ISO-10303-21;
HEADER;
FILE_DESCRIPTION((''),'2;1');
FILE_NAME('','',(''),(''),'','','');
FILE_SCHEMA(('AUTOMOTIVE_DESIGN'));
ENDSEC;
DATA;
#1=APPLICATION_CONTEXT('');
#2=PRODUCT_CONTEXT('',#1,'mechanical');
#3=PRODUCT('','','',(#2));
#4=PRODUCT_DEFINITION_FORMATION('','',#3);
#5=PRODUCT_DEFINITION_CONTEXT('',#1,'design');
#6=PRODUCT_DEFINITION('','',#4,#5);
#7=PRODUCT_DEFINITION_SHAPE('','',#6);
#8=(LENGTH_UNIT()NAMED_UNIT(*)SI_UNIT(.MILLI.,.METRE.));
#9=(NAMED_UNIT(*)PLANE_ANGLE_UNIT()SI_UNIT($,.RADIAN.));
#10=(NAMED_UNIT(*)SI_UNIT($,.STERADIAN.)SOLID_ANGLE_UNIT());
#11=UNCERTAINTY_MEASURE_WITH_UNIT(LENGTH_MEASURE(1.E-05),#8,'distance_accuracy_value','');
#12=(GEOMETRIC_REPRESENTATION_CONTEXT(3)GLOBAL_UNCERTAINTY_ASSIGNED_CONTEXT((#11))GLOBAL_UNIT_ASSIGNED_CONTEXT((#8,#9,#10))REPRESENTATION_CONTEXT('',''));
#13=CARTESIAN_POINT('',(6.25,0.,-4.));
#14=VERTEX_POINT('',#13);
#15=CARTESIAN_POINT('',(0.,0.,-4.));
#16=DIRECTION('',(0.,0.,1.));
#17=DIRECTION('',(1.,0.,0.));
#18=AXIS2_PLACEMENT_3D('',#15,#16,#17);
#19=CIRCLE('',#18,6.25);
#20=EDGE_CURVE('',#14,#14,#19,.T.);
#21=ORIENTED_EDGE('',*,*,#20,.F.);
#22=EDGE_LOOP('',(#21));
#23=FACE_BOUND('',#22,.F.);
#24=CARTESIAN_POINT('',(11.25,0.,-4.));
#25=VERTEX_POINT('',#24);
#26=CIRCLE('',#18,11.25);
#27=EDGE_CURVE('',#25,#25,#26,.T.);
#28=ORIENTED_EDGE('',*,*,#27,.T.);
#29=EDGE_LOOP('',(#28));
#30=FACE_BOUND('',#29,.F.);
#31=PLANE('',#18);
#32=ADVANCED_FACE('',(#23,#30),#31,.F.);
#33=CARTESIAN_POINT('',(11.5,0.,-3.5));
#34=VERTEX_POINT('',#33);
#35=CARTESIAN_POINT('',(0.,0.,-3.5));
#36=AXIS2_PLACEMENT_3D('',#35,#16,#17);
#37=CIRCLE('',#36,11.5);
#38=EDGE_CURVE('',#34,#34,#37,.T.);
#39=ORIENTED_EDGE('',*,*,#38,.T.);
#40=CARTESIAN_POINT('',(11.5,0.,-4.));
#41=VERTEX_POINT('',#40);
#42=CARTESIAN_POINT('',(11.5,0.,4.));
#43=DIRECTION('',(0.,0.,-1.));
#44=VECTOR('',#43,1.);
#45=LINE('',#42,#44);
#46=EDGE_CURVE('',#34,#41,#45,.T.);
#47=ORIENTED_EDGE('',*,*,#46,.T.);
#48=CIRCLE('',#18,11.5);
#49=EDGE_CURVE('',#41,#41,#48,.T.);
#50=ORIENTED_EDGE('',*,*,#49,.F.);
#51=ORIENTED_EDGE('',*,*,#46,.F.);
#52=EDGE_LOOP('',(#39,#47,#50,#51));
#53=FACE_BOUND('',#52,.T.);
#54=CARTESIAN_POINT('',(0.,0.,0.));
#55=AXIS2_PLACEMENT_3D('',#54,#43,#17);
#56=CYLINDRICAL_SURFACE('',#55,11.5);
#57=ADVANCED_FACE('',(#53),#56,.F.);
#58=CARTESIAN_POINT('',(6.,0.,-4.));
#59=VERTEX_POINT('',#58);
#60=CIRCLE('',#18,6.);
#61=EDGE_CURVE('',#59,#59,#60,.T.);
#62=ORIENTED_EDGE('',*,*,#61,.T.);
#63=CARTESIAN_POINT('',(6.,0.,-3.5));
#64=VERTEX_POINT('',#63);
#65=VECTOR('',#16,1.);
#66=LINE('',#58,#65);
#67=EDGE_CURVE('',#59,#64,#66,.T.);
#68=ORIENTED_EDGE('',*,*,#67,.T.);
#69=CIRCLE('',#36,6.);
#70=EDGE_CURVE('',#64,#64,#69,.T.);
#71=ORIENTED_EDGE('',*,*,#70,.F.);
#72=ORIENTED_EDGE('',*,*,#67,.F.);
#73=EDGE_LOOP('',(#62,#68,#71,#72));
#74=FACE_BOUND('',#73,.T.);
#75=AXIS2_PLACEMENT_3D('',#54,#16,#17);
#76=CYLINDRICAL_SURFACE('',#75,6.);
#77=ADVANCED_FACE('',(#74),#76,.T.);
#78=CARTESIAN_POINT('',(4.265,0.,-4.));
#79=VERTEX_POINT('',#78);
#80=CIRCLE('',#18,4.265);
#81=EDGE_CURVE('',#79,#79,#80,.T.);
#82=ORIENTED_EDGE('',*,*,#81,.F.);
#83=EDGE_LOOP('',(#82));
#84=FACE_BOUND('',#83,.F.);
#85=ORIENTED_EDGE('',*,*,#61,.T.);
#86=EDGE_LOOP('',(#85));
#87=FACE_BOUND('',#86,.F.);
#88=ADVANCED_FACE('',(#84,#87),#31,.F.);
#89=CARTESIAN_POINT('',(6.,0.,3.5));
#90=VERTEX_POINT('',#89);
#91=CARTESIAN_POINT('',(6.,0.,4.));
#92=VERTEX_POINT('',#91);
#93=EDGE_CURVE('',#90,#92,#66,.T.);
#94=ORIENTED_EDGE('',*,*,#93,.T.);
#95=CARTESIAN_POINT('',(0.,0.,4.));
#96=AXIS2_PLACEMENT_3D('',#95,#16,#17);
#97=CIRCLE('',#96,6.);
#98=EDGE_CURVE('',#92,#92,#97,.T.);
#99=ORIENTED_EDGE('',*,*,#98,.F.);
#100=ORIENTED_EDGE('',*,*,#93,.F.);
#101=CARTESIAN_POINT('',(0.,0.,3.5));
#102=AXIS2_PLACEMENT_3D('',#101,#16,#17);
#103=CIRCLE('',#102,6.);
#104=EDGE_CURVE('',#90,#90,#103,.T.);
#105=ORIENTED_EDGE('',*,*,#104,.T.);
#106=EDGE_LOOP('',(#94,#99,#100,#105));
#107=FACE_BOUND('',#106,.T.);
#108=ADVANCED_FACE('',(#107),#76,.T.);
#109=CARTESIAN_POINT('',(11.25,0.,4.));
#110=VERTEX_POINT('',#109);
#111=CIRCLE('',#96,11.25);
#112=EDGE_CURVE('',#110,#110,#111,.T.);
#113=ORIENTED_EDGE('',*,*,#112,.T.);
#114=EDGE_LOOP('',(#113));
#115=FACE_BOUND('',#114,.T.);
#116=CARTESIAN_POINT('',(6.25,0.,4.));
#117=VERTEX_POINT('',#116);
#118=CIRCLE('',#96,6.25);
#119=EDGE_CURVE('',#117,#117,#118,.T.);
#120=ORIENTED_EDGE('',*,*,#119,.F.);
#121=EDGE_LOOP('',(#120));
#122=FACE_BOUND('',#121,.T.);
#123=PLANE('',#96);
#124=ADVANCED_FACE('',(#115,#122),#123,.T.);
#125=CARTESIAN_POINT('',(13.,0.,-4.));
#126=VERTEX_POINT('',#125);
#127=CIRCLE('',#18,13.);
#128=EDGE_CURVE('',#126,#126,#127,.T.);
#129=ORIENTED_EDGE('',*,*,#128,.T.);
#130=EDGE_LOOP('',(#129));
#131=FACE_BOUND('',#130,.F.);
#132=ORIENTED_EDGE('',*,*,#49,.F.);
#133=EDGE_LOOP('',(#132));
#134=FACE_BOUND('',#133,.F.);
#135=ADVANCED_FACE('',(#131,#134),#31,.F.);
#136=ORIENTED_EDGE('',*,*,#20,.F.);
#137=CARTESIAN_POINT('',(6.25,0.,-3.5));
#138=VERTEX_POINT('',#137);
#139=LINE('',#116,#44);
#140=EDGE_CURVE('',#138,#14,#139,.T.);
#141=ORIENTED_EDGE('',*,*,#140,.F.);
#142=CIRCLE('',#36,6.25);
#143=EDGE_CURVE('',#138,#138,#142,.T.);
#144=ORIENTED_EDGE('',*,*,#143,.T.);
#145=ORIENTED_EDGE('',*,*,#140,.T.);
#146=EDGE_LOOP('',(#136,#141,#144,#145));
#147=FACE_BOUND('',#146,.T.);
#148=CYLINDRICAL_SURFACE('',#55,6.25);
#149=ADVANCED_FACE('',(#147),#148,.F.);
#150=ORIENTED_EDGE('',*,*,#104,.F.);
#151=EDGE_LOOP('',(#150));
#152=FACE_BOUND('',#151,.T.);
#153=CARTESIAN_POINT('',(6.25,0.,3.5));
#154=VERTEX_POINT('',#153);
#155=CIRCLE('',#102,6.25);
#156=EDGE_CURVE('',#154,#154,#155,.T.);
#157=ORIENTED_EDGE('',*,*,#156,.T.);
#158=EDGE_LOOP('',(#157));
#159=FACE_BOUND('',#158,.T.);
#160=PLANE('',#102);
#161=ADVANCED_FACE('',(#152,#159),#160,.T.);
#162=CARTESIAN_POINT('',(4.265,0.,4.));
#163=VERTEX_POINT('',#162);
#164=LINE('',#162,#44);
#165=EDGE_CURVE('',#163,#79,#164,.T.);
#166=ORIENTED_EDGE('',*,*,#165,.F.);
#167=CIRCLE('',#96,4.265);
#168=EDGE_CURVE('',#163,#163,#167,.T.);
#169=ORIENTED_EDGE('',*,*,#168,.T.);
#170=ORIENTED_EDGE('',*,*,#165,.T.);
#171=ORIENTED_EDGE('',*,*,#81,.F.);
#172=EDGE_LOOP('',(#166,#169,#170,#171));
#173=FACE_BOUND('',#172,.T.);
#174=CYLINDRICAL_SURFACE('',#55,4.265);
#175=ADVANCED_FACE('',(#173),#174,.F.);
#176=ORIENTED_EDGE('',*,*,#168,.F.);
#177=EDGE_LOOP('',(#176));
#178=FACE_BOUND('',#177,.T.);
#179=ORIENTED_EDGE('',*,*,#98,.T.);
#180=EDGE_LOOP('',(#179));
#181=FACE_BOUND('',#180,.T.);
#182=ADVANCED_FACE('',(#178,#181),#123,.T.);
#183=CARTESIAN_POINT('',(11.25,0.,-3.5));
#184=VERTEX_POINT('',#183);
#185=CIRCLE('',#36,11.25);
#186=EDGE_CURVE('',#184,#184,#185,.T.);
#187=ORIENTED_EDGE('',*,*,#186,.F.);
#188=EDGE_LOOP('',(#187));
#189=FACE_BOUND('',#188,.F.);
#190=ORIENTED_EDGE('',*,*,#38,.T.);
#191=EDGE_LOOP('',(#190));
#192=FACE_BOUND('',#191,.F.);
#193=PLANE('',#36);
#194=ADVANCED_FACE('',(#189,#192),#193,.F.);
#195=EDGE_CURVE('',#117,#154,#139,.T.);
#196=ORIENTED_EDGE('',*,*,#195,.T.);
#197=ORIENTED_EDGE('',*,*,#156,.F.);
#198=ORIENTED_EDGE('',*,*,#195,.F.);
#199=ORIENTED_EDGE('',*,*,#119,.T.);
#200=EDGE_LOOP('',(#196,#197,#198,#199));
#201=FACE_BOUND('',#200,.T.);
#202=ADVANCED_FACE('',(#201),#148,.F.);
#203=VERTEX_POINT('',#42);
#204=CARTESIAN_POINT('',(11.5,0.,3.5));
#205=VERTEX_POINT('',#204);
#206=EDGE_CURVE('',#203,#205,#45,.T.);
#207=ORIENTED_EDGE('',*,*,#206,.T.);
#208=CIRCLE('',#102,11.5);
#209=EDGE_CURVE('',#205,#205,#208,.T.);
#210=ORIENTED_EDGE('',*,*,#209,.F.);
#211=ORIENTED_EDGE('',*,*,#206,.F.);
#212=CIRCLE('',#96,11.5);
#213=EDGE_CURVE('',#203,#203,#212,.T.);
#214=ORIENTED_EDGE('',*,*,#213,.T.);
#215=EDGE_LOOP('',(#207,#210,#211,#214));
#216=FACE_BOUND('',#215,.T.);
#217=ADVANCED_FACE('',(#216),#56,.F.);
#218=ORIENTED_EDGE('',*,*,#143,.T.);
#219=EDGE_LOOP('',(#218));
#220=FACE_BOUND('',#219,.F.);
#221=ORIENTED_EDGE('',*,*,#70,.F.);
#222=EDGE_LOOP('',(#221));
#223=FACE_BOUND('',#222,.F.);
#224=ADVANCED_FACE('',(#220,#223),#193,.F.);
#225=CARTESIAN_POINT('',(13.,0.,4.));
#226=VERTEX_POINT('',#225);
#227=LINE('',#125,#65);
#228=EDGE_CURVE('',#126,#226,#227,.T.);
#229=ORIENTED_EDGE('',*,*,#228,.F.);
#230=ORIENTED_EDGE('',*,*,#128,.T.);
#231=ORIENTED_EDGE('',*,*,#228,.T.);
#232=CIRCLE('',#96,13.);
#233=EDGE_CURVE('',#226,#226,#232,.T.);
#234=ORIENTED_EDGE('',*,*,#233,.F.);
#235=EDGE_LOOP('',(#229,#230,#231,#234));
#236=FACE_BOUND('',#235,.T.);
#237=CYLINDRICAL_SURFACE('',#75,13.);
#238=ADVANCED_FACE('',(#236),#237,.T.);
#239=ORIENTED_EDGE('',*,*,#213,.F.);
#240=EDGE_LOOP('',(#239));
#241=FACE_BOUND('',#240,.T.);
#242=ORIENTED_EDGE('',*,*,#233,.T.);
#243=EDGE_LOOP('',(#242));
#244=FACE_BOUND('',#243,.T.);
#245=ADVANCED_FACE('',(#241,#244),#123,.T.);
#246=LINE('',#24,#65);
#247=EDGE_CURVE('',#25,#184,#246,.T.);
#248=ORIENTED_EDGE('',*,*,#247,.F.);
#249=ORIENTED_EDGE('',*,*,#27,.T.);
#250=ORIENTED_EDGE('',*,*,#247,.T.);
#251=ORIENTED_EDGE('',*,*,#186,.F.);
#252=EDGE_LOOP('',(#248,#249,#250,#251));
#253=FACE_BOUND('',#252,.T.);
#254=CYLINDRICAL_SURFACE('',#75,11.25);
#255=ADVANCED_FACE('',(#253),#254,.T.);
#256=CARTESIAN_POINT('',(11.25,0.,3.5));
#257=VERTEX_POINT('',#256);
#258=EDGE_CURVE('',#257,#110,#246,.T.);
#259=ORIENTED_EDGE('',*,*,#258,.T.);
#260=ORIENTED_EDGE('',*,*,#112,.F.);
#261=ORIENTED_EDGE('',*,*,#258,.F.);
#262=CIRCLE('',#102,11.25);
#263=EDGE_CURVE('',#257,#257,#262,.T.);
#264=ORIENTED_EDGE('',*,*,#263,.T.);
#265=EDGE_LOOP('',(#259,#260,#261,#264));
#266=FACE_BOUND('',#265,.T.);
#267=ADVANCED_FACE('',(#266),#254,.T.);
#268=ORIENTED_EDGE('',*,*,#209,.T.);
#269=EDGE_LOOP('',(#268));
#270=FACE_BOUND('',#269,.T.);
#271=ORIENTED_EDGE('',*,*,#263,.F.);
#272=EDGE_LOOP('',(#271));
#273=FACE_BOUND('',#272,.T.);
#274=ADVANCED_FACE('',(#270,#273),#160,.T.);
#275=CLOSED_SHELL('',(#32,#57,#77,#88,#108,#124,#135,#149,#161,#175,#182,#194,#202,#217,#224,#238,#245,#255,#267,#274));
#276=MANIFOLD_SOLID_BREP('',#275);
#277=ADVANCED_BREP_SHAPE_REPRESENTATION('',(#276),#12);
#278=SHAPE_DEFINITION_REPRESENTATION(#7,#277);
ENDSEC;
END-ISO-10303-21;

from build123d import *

# Parameters (mm, degrees)
F0_R     = 13
F0_R_2   = 11.5
F1_DEPTH = 4
F0_R_3   = 6
F0_R_4   = 4.265
F0_R_5   = 11.25
F0_R_6   = 6.25
F2_DEPTH = 3.5


with BuildPart() as f1:
    # F0 (on Top) → F1 (new body, symmetric)
    with BuildSketch(Plane.XY):
        Circle(F0_R)
        Circle(F0_R_2, mode=Mode.SUBTRACT)
    extrude(amount=F1_DEPTH, both=True)



with BuildPart() as f1b:
    # F0 (on Top) → F1, piece 2 (new body, symmetric)
    with BuildSketch(Plane.XY):
        Circle(F0_R_3)
        Circle(F0_R_4, mode=Mode.SUBTRACT)
    extrude(amount=F1_DEPTH, both=True)


with BuildPart() as f1c:
    # F0 (on Top) → F1, piece 3 (new body, symmetric)
    with BuildSketch(Plane.XY):
        Circle(F0_R_5)
        Circle(F0_R_6, mode=Mode.SUBTRACT)
    extrude(amount=F1_DEPTH, both=True)


with BuildPart() as f1_1:
    add(f1.part)

    add(f1b.part)  # F2 merges F1b

    add(f1c.part)  # F2 merges F1c
    # F0 (on Top) → F2 (join, symmetric)
    with BuildSketch(Plane.XY):
        Circle(F0_R_2)
        Circle(F0_R_5, mode=Mode.SUBTRACT)
        Circle(F0_R_6)
        Circle(F0_R_3, mode=Mode.SUBTRACT)
    extrude(amount=F2_DEPTH, both=True)


solid = f1_1.part
